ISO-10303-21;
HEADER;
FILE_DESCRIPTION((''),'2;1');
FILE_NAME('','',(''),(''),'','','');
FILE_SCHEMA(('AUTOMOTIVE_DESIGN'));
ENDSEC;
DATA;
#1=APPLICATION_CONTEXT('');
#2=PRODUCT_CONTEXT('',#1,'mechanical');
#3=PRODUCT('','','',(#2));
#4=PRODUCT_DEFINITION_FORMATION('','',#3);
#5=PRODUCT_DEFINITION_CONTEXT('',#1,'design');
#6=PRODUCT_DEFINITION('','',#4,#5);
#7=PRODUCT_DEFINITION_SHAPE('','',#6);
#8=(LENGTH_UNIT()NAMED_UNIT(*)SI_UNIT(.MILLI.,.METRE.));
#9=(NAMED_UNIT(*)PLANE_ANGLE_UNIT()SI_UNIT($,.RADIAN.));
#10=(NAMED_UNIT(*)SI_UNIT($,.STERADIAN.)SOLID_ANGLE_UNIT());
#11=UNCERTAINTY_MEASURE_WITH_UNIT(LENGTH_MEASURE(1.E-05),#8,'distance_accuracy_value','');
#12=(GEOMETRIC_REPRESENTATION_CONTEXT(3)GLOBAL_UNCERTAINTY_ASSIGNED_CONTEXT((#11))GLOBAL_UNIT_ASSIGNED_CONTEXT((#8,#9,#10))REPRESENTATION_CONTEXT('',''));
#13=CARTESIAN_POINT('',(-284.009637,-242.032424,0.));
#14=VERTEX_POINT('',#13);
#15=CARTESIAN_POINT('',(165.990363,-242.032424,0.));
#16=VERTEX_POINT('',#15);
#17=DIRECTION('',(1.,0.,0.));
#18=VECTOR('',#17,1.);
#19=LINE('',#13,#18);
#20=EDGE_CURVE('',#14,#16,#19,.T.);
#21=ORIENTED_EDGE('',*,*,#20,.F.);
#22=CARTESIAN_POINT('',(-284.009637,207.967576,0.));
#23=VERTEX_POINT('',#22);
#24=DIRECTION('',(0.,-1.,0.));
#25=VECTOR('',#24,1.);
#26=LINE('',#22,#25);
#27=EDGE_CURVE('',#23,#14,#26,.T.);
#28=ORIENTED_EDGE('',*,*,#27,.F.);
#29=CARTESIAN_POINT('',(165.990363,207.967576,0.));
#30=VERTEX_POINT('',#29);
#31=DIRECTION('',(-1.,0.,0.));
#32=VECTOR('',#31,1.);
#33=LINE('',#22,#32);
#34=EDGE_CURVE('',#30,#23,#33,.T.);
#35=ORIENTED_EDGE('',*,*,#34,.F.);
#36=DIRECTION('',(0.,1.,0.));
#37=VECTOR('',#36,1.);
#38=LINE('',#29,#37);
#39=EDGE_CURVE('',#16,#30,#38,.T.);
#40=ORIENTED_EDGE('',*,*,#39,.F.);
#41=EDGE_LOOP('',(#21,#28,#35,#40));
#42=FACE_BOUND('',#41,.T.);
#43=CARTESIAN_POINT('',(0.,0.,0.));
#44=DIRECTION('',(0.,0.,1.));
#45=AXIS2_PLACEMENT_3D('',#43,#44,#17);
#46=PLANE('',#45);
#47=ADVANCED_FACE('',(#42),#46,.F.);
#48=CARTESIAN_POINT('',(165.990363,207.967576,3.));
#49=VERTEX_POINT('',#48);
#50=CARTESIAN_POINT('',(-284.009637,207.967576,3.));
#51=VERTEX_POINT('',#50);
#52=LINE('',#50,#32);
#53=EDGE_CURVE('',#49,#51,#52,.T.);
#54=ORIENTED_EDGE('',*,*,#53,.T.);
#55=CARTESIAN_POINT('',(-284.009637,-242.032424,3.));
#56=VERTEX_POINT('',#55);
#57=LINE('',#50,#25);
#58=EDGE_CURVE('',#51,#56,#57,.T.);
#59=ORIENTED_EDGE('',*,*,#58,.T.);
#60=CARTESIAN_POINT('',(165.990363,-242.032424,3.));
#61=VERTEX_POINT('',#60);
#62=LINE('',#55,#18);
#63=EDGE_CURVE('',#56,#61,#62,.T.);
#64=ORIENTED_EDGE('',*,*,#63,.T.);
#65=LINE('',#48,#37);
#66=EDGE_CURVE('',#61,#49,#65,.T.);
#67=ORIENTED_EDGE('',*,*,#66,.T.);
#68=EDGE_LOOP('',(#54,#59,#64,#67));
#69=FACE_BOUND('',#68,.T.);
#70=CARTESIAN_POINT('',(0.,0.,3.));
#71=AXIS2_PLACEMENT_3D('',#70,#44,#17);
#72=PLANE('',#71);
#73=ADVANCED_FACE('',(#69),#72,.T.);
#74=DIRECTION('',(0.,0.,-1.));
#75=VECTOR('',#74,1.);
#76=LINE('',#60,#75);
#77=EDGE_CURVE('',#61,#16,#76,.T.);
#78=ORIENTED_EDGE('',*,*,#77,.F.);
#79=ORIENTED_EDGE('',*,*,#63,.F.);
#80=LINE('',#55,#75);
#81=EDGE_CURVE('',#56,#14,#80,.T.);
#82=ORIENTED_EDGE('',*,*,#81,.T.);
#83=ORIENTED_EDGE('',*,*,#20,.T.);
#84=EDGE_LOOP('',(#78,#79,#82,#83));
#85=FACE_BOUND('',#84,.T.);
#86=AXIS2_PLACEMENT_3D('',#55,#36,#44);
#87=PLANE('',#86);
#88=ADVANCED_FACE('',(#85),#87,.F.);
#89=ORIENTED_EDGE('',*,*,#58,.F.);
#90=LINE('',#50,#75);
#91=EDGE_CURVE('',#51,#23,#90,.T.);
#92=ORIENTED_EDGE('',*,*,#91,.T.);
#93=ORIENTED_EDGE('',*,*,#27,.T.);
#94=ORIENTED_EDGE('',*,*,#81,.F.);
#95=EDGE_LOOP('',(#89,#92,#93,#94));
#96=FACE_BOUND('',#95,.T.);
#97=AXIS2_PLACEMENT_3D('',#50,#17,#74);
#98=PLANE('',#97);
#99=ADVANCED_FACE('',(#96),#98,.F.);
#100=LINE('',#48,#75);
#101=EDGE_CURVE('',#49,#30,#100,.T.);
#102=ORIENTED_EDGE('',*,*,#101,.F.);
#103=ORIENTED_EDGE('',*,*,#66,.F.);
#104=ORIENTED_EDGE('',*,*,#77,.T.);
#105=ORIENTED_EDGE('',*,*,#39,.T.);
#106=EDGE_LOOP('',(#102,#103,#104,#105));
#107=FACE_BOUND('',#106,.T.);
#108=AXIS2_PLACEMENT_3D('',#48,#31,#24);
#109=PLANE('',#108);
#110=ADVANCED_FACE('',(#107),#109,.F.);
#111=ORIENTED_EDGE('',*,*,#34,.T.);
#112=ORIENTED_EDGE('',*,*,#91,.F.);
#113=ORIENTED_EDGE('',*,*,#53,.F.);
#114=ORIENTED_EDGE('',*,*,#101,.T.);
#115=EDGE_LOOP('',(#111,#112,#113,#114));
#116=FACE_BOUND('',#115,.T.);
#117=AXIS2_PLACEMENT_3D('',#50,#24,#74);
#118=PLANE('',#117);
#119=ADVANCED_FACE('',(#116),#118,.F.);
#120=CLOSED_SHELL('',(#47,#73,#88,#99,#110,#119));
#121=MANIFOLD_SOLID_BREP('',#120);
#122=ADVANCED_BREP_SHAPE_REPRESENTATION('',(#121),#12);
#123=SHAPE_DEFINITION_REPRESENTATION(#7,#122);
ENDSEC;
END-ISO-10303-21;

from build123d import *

# Parameters (mm, degrees)
MODEL_W             = 450
MODEL_H             = 450
BOSS_EXTRUDE1_DEPTH = 3


with BuildPart() as part:
    # Model → Boss-Extrude1 (new body)
    with BuildSketch(Plane.XY):
        with Locations((-59.009637129, -17.032423747)):
            Rectangle(MODEL_W, MODEL_H)
    extrude(amount=BOSS_EXTRUDE1_DEPTH)


solid = part.part
